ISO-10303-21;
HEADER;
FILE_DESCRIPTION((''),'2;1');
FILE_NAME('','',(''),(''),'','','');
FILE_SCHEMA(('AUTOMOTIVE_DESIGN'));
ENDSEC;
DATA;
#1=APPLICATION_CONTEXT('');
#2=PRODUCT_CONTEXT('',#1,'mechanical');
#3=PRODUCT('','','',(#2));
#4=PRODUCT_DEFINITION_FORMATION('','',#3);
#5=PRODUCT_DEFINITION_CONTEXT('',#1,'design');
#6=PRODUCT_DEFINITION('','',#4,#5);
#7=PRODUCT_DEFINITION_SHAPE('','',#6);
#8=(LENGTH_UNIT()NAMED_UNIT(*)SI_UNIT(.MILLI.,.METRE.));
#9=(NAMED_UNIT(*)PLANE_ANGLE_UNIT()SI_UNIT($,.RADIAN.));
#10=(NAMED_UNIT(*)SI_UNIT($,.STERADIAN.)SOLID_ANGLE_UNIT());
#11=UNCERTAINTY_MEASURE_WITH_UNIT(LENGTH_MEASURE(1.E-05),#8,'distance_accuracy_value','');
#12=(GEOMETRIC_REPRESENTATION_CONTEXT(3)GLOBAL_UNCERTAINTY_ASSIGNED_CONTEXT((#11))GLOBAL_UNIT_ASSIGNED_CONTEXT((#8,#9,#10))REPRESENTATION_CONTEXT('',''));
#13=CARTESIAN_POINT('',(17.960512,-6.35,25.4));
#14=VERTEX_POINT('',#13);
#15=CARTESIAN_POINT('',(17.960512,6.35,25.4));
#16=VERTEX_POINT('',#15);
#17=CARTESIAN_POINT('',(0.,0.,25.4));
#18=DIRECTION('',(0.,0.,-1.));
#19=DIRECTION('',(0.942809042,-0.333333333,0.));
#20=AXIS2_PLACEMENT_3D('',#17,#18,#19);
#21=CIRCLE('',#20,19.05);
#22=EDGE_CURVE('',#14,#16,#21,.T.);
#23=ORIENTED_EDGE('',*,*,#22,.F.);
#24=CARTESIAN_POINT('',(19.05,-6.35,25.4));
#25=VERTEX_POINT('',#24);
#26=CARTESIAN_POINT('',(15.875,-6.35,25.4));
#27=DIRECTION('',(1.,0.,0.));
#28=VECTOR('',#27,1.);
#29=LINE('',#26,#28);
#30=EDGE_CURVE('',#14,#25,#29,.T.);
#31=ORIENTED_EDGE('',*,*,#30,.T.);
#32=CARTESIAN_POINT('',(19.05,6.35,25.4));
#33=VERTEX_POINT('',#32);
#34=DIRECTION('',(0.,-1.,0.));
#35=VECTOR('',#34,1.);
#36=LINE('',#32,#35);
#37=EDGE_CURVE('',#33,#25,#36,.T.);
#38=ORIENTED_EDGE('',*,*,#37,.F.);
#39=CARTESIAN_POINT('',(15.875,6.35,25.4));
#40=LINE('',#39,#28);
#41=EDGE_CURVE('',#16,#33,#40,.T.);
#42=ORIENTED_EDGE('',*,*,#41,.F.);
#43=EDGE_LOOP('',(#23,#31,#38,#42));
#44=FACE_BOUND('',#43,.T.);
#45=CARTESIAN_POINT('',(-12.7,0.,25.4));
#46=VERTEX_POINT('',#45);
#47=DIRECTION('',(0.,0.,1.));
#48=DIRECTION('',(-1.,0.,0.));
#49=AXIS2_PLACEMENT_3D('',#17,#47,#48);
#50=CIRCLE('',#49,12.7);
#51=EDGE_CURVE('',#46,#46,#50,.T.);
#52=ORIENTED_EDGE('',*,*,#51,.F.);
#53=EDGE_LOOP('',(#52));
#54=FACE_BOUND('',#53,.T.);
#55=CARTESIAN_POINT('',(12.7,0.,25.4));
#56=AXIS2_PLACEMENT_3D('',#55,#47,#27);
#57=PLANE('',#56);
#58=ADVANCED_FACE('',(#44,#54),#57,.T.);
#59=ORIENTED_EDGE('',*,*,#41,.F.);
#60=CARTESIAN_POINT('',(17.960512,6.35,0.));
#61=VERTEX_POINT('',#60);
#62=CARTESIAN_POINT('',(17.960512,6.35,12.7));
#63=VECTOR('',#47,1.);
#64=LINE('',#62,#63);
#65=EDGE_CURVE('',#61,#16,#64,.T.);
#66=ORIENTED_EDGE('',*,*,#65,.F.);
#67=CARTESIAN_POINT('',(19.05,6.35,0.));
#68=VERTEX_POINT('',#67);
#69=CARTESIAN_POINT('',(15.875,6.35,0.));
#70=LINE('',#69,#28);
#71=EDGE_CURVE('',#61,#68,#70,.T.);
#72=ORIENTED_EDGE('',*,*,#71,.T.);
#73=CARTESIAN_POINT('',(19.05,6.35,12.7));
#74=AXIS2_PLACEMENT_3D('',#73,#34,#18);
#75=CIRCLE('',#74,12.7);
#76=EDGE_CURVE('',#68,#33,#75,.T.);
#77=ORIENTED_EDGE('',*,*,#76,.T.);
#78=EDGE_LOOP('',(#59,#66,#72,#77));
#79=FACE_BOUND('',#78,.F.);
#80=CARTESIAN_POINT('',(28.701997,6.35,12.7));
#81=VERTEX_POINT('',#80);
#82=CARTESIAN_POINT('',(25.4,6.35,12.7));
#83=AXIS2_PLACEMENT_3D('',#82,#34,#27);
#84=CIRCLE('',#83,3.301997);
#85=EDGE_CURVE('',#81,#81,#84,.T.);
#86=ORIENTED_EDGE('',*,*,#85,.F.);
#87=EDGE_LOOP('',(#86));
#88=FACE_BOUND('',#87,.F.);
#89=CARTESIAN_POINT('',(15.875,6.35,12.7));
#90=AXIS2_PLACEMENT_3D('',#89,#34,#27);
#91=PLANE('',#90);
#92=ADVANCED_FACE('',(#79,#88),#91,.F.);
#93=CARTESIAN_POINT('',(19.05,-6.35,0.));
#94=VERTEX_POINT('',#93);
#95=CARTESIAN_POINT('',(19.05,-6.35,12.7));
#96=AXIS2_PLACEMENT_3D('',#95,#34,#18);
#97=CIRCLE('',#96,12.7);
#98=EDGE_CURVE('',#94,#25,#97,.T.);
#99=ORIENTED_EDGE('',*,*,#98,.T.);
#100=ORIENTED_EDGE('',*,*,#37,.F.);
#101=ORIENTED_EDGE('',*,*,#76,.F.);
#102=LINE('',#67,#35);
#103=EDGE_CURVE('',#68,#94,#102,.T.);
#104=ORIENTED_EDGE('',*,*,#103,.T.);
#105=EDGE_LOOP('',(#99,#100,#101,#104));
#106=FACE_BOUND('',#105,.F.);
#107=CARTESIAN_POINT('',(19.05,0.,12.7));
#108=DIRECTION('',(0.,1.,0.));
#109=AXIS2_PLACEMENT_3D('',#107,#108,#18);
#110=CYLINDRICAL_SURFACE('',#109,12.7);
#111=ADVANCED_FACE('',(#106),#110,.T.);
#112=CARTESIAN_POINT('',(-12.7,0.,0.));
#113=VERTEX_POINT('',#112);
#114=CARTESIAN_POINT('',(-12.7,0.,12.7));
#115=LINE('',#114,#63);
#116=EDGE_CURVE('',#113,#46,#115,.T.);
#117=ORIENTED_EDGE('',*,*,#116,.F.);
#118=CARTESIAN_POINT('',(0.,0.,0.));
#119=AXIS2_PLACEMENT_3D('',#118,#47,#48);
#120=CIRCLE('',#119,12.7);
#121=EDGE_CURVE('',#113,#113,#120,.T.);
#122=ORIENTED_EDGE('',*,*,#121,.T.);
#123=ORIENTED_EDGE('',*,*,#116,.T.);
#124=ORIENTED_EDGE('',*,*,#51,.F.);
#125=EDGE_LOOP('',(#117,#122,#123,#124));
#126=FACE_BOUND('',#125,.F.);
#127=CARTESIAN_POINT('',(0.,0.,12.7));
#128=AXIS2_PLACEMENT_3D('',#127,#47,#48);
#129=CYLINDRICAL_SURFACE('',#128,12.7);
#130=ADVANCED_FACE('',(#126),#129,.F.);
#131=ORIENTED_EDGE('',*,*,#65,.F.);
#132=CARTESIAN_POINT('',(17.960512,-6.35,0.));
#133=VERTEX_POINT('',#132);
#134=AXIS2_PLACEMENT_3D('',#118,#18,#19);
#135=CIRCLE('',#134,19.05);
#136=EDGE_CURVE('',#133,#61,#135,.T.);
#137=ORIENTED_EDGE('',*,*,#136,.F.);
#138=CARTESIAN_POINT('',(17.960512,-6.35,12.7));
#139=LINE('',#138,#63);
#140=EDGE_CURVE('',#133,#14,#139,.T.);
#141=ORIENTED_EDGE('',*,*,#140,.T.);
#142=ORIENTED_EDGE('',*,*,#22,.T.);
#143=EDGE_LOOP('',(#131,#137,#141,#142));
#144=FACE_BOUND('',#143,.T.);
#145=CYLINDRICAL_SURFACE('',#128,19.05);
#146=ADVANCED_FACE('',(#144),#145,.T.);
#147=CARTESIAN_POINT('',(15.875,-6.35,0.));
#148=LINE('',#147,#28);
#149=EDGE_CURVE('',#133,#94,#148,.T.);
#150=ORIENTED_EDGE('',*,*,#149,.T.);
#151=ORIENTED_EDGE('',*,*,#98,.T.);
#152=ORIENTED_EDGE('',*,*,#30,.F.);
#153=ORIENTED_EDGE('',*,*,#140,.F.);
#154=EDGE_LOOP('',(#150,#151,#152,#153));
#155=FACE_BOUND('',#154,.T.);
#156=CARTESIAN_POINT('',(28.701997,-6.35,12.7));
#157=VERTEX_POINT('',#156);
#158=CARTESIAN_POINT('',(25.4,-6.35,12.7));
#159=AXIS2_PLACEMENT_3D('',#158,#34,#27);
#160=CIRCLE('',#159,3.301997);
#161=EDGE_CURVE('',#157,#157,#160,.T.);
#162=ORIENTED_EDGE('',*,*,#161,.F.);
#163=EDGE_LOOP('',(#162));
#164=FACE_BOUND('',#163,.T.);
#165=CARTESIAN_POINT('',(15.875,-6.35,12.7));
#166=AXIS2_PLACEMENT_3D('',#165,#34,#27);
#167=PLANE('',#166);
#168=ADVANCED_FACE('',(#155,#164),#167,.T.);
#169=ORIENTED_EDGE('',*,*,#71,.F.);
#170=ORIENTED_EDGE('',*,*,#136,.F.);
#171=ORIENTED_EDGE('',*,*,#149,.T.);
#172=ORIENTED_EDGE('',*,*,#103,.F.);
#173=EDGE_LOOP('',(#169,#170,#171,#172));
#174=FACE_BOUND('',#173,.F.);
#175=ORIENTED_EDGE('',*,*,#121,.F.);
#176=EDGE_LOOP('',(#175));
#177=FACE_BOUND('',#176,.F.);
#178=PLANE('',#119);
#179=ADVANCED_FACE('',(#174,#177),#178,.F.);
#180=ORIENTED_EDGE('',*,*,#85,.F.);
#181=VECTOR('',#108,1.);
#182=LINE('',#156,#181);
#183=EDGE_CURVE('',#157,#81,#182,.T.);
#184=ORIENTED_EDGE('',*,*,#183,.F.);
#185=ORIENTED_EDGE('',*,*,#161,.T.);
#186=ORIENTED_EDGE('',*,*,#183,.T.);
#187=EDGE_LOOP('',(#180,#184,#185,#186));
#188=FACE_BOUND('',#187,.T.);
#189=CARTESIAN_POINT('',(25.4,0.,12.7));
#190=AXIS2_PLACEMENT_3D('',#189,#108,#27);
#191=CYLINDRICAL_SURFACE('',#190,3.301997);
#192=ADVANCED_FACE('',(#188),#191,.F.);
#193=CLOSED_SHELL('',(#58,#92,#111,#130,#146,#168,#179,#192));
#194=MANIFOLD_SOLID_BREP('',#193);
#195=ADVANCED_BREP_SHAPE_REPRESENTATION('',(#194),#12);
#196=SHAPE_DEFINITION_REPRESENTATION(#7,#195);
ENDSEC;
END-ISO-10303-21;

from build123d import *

# Parameters (mm, degrees)
F0_W          = 6.35
F0_H          = 25.4
F3_W          = 6.35
F3_H          = 25.4
F3_R          = 3.301997
F4_DEPTH      = 6.35
F4_DEPTH_BACK = 6.35


with BuildPart() as f2:
    # F0 (on Front) → F2 (revolve)
    with BuildSketch(Plane.XZ):
        with Locations((-15.875, 12.7)):
            Rectangle(F0_W, F0_H)
    revolve(axis=Axis((0, 0, 24.002999), (0, 0, 1)))

    # F3 (on Front) → F4 (join, two sides)
    with BuildSketch(Plane.XZ) as f4_sk:
        with Locations((15.875, 12.7)):
            Rectangle(F3_W, F3_H)
        with BuildLine():
            ThreePointArc((19.05, 0), (31.75, 12.7), (19.05, 25.4))
            Line((19.05, 25.4), (19.05, 0))
        make_face()
        with Locations((25.4, 12.7)):
            Circle(F3_R, mode=Mode.SUBTRACT)
    extrude(amount=F4_DEPTH)
    extrude(f4_sk.sketch, amount=-F4_DEPTH_BACK)


solid = f2.part
